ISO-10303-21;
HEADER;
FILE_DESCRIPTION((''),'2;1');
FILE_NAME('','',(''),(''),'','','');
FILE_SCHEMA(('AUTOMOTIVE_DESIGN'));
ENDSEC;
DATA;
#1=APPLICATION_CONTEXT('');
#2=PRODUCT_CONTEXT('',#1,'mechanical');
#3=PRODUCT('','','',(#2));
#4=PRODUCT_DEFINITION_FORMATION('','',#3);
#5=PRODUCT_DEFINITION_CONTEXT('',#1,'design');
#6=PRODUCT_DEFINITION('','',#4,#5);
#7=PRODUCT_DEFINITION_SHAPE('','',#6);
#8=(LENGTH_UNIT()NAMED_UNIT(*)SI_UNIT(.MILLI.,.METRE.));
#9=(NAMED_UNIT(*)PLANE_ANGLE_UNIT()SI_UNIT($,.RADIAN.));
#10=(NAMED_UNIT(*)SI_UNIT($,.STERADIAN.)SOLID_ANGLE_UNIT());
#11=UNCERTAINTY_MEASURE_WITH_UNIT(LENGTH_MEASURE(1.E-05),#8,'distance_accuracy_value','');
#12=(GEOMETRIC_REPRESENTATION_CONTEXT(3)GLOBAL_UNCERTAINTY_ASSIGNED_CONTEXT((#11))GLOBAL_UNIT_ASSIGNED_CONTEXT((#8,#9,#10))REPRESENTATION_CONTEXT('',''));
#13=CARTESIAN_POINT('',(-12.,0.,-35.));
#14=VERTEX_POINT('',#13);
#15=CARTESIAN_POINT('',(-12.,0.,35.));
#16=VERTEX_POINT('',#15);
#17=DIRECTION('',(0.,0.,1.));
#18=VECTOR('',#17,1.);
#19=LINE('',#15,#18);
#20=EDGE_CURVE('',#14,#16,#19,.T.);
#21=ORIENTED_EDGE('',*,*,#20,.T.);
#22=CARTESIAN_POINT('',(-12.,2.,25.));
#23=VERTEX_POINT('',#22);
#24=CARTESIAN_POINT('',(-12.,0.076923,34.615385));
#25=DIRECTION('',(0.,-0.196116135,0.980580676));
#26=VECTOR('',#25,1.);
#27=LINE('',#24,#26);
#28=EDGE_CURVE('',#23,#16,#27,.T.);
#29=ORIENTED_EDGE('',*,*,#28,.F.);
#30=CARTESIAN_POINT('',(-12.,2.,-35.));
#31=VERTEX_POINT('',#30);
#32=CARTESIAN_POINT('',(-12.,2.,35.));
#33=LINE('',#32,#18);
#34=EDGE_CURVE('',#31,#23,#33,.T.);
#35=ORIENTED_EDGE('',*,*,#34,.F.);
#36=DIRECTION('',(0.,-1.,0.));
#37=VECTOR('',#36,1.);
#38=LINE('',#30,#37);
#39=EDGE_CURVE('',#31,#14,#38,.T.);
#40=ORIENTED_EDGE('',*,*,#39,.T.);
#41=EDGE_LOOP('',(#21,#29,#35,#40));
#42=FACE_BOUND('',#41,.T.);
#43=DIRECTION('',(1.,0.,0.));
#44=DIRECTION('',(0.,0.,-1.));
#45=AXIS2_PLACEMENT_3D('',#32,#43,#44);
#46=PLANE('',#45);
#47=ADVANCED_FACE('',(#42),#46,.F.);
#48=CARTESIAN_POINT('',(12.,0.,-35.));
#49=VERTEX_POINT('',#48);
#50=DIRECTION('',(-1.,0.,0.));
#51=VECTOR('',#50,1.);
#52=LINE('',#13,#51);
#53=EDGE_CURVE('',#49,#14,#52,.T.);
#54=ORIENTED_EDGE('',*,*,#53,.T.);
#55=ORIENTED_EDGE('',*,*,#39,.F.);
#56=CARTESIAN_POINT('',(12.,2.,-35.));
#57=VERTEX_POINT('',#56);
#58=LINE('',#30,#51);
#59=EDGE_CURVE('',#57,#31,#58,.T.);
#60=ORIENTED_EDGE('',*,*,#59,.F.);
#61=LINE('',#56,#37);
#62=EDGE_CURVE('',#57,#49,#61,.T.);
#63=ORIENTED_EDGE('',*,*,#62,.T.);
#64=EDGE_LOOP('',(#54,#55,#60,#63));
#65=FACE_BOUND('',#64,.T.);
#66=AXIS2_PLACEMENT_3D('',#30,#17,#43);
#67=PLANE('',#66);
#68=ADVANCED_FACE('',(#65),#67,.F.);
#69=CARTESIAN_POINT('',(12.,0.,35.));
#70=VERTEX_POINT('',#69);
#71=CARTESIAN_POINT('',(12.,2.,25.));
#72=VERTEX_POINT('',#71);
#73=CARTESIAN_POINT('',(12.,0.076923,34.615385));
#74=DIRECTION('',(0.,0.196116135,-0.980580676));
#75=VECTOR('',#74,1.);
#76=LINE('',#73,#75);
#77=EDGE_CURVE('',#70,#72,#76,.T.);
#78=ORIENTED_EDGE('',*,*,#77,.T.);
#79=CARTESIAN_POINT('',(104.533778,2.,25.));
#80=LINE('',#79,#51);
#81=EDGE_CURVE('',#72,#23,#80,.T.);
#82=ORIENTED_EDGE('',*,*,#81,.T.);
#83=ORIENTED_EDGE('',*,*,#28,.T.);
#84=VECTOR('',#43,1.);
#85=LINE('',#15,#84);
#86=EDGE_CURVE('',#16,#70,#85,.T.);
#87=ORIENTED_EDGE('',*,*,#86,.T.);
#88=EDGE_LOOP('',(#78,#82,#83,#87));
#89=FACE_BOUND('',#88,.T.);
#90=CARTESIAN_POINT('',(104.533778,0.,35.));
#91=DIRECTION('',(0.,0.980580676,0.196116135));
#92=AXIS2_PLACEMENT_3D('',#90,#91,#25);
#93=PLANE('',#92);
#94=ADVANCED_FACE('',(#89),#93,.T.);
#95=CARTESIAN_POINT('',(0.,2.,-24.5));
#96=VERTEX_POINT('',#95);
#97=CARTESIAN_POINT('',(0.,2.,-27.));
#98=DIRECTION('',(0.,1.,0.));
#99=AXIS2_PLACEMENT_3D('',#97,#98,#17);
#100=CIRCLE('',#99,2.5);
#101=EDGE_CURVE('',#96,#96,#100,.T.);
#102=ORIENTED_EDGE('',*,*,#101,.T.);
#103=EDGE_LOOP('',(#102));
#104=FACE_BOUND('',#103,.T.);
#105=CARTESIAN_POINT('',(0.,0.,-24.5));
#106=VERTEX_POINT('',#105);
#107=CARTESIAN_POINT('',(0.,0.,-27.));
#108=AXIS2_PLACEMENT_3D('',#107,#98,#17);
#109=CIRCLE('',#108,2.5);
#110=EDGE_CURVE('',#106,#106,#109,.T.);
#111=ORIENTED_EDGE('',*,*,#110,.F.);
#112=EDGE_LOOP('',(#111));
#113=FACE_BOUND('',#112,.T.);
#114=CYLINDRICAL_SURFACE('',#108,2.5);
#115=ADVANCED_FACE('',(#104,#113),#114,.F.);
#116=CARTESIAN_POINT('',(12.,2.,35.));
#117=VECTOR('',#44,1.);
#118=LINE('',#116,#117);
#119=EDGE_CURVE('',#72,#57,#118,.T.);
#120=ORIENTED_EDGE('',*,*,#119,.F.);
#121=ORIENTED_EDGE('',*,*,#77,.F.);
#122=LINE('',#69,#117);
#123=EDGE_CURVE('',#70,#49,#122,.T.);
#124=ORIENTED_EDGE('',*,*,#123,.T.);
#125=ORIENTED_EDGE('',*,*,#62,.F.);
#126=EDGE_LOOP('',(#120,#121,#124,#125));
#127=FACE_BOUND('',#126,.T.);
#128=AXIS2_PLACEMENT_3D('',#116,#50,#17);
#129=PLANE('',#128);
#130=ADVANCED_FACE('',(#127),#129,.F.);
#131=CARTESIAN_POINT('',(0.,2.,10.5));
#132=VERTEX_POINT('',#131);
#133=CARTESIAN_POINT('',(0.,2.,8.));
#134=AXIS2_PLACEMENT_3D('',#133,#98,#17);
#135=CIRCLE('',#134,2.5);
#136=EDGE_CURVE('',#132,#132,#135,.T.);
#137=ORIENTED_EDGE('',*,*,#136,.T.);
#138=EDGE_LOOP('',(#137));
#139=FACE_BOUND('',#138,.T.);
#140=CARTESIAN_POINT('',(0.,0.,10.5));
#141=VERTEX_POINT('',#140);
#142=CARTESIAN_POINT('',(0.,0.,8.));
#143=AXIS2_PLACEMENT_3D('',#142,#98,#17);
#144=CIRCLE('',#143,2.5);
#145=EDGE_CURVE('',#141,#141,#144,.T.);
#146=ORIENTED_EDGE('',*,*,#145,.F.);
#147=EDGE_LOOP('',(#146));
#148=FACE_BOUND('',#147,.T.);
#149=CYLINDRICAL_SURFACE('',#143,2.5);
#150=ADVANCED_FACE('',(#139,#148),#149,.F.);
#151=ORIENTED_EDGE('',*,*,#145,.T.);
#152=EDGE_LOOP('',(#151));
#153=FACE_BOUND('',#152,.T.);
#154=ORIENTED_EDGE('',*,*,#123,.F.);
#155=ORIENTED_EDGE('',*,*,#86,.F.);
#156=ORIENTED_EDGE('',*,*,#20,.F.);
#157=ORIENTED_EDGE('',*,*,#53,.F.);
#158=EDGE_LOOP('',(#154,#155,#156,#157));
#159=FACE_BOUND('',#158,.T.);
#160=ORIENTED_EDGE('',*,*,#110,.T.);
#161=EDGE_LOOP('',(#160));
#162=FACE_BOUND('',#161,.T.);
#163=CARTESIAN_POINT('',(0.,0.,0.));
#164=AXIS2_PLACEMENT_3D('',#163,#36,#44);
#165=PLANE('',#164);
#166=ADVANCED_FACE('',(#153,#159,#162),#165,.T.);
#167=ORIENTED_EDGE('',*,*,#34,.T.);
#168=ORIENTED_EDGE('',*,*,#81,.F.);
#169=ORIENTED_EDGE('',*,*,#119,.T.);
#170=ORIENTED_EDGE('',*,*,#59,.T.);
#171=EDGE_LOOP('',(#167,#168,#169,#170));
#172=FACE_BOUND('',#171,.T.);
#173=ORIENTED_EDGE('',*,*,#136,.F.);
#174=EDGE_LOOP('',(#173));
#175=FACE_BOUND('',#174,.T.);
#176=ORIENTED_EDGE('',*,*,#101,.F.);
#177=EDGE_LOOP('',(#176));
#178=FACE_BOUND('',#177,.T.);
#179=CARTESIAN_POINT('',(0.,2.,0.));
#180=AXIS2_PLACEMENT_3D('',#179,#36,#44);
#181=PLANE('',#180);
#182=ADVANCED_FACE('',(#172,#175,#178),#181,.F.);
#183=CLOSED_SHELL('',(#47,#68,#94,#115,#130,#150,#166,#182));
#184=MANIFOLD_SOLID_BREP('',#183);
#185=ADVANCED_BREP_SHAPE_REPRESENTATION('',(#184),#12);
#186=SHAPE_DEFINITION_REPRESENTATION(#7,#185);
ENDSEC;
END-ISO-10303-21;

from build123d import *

# Parameters (mm, degrees)
SKETCH_1_W               = 24
SKETCH_1_H               = 70
EXTRUDE_1_DEPTH          = 2
SKETCH_2_R               = 2.5
CUT_EXTRUDE_1_DEPTH      = 38.054014627
CUT_EXTRUDE_2_DEPTH      = 43.485291572
CUT_EXTRUDE_2_DEPTH_BACK = 43.485291572


with BuildPart() as part:
    # 草图1 → 凸台-拉伸1 (new body)
    with BuildSketch(Plane(origin=(0, 0, 0), x_dir=(1, 0, 0), z_dir=(0, 1, 0))):
        Rectangle(SKETCH_1_W, SKETCH_1_H)
    extrude(amount=EXTRUDE_1_DEPTH)

    # 草图2 → 切除-拉伸1 (cut, through all)
    with BuildSketch(Plane(origin=(0, 2, 0), x_dir=(1, 0, 0), z_dir=(0, 1, 0))):
        with Locations(Location((0, -8, 0), (0, 0, 270))):
            Circle(SKETCH_2_R)
        with Locations(Location((0, 27, 0), (0, 0, 270))):
            Circle(SKETCH_2_R)
    extrude(amount=-CUT_EXTRUDE_1_DEPTH, mode=Mode.SUBTRACT)

    # 草图3 → 切除-拉伸2 (cut, two sides: drawn at the far end of the back side and taken through both)
    with BuildSketch(Plane(origin=(12, 0, 0), x_dir=(0, 0, -1), z_dir=(1, 0, 0)).offset(-CUT_EXTRUDE_2_DEPTH_BACK)):
        Polygon((-182.143123104, -29.428624621), (-35, 0), (-25, 2), (122.143123104, 31.428624621), (63.285873863, 325.71487083), (-241.000372346, 264.857621588), align=None)
    extrude(amount=CUT_EXTRUDE_2_DEPTH + CUT_EXTRUDE_2_DEPTH_BACK, mode=Mode.SUBTRACT)


solid = part.part
